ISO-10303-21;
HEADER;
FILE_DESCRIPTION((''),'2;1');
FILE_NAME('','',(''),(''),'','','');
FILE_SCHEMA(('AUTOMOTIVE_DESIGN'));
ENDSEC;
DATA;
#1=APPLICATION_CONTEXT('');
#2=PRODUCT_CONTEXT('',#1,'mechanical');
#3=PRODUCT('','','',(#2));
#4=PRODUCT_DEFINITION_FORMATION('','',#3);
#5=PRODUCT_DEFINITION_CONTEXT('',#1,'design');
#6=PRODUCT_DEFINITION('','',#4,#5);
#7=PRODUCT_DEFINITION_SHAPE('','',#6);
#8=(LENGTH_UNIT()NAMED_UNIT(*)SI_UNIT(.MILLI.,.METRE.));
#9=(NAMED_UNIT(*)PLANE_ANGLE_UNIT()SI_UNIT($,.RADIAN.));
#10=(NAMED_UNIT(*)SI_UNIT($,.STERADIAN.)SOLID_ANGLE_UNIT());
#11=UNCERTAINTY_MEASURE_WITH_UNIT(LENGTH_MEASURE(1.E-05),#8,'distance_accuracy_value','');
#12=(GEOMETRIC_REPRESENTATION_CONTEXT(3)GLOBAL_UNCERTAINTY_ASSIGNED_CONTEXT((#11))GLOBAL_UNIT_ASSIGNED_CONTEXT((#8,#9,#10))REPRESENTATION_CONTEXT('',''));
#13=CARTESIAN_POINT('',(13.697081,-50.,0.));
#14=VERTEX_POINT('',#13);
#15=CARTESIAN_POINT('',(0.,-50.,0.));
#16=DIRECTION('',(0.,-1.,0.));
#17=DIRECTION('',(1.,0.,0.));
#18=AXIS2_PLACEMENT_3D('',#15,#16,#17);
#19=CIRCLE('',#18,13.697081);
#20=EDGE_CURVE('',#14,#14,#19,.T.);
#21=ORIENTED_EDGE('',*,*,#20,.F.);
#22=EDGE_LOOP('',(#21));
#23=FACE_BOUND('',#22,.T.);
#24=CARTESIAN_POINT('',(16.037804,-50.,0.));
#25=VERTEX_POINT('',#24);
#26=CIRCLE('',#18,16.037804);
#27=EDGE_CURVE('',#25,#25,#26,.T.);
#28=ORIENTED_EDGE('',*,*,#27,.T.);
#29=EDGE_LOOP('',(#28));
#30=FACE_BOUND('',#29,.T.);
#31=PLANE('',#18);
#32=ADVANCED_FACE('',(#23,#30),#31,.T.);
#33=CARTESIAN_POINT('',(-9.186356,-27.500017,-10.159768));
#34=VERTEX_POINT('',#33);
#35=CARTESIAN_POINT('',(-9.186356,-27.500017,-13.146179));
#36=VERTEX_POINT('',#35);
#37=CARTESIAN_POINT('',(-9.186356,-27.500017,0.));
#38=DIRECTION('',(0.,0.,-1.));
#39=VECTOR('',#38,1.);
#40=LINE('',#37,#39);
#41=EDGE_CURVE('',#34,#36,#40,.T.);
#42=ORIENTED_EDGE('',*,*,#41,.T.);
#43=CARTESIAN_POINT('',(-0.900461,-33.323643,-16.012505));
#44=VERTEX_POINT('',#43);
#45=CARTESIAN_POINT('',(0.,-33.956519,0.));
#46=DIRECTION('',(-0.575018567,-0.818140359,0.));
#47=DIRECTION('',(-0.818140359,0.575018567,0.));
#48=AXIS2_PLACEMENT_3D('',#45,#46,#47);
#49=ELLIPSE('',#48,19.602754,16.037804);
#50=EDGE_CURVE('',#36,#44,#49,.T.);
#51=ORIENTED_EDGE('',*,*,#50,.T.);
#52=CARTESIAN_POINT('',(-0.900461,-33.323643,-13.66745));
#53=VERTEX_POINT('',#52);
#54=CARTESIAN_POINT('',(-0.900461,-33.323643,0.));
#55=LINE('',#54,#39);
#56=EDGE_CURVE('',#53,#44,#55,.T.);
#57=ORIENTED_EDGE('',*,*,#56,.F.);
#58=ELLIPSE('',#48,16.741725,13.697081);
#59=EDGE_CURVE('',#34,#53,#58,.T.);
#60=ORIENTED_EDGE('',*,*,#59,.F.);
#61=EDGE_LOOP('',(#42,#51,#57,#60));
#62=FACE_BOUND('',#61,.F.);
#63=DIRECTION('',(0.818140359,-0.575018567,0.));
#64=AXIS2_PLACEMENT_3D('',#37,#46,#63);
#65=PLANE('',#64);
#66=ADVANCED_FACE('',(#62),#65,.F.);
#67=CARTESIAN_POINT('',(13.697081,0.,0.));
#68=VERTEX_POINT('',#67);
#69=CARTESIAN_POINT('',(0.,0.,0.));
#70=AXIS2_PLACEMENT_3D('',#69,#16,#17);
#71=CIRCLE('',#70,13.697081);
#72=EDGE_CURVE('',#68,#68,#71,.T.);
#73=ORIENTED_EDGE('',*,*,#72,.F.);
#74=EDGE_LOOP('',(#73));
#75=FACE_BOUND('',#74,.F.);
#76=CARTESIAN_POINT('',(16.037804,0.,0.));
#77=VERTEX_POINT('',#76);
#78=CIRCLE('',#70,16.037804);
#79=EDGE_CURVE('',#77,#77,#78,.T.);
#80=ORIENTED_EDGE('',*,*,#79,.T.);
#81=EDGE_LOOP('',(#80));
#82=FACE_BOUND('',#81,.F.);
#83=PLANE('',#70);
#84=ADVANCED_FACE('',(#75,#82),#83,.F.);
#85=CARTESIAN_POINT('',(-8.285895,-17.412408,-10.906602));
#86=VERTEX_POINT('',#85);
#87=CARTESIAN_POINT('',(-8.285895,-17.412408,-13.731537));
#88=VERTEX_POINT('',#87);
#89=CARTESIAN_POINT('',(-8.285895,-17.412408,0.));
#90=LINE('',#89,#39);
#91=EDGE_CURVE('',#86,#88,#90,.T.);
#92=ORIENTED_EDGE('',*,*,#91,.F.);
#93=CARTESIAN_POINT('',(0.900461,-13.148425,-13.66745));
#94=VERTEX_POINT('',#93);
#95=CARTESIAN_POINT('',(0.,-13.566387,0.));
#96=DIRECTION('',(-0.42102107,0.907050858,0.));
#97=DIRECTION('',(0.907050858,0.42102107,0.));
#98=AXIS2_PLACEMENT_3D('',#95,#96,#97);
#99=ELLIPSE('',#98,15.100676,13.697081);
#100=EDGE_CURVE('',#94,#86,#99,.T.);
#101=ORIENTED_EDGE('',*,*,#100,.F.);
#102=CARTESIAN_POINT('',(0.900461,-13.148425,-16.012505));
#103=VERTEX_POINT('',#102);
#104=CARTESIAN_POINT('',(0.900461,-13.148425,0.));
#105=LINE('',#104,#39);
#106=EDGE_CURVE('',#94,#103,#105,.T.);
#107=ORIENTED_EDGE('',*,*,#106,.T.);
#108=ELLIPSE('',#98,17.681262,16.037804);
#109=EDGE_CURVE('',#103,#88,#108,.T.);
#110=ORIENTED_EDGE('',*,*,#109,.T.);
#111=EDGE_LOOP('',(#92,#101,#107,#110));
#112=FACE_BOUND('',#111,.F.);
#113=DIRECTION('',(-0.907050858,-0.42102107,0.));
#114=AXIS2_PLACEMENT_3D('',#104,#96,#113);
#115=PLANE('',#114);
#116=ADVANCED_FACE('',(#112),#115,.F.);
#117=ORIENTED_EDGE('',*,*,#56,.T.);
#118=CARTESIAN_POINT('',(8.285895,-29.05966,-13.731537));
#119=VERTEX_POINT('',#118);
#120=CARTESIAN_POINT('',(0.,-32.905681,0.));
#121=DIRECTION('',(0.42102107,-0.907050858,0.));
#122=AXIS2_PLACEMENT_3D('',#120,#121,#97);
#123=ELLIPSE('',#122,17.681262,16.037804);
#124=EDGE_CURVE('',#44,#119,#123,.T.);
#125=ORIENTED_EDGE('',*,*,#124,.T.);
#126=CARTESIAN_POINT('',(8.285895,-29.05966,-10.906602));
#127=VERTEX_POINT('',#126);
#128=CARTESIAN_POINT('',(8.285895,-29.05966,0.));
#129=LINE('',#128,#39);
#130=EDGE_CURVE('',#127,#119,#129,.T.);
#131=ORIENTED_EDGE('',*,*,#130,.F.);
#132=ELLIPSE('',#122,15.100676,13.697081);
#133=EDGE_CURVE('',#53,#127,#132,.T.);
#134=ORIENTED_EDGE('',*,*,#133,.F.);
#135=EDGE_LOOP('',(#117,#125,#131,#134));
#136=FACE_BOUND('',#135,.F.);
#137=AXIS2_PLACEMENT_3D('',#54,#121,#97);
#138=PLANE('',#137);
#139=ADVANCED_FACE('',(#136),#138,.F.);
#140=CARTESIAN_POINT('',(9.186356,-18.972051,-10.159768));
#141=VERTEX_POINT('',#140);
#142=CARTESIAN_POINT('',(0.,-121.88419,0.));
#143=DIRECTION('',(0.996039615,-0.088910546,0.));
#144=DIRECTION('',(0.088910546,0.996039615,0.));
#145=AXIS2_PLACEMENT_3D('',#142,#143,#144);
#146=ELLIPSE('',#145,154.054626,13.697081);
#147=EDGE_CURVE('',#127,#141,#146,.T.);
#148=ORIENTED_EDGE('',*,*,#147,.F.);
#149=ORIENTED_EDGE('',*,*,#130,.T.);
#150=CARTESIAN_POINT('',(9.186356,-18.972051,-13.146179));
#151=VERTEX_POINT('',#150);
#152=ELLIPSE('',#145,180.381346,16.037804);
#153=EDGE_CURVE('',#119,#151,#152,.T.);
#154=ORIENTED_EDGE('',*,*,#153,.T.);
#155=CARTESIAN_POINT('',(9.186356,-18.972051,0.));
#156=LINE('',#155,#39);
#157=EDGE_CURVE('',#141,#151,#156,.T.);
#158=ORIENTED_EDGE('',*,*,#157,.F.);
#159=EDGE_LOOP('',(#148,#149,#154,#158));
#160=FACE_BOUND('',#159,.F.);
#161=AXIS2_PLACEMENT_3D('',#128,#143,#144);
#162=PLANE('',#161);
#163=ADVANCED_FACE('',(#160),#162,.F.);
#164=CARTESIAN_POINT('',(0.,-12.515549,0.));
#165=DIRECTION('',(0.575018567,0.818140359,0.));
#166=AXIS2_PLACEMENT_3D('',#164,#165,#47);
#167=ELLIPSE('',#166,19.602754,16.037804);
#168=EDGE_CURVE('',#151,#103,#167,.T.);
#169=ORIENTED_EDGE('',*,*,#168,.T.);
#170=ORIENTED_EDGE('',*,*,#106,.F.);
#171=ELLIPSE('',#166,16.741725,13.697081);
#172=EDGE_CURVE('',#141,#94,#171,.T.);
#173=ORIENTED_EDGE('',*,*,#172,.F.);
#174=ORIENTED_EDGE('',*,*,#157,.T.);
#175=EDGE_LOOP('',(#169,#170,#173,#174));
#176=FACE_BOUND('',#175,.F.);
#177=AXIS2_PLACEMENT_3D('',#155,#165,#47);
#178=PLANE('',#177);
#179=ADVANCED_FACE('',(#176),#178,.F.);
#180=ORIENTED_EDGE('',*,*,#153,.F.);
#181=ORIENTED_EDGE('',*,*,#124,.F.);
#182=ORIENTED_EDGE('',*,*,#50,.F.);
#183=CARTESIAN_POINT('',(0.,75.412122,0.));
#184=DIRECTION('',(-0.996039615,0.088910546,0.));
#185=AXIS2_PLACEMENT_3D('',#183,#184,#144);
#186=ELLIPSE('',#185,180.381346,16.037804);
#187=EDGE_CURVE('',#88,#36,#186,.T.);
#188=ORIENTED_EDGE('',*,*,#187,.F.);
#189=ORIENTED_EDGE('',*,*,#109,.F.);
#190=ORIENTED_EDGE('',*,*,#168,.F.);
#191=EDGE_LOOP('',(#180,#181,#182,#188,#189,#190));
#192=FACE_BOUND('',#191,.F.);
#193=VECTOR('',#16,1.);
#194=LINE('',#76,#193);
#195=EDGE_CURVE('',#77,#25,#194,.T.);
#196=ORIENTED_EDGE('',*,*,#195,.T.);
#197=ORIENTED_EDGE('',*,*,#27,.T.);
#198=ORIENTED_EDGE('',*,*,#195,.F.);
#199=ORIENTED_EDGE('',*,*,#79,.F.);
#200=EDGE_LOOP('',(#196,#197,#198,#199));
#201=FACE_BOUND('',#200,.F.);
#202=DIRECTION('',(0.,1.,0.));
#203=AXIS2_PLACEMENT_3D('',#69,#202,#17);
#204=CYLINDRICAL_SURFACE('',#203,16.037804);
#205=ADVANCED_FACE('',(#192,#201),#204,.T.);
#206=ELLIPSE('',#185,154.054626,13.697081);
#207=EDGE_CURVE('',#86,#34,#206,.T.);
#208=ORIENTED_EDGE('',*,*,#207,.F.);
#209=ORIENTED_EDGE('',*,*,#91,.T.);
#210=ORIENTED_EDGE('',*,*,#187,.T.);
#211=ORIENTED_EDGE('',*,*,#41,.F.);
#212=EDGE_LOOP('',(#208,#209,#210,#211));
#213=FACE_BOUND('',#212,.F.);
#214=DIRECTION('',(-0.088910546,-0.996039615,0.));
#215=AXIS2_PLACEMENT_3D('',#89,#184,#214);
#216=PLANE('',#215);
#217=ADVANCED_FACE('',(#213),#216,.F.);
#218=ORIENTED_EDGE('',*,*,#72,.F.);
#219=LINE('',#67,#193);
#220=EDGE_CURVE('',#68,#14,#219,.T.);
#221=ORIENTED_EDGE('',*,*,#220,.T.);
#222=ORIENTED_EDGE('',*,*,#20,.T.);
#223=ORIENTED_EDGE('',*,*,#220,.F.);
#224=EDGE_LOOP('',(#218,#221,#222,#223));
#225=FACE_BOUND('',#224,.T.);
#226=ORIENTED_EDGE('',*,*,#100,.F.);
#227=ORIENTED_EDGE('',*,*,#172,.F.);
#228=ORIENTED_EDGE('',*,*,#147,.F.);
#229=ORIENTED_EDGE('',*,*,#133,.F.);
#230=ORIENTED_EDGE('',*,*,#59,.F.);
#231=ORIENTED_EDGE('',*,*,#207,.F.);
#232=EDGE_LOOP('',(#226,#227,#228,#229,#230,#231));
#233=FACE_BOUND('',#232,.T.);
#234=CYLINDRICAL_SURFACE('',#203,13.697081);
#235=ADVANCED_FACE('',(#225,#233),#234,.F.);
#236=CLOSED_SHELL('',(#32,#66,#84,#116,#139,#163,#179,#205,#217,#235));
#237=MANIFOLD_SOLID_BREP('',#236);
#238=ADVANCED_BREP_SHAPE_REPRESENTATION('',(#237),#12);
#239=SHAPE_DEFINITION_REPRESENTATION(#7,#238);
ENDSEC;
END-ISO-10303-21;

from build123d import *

# Parameters (mm, degrees)
SKETCH_R     = 16.037804
SKETCH_R_2   = 13.697081
PAD_DEPTH    = 50
POCKET_DEPTH = 18


with BuildPart() as part:
    # Sketch → Pad (new body)
    with BuildSketch(Plane.XZ):
        Circle(SKETCH_R)
        Circle(SKETCH_R_2, mode=Mode.SUBTRACT)
    extrude(amount=PAD_DEPTH)

    # Sketch001 → Pocket (cut)
    with BuildSketch(Plane.XY):
        Polygon((8.285895, -29.05966), (9.186356, -18.972051), (0.900461, -13.148425), (-8.285895, -17.412408), (-9.186356, -27.500017), (-0.900461, -33.323643), align=None)
    extrude(amount=-POCKET_DEPTH, mode=Mode.SUBTRACT)


solid = part.part
